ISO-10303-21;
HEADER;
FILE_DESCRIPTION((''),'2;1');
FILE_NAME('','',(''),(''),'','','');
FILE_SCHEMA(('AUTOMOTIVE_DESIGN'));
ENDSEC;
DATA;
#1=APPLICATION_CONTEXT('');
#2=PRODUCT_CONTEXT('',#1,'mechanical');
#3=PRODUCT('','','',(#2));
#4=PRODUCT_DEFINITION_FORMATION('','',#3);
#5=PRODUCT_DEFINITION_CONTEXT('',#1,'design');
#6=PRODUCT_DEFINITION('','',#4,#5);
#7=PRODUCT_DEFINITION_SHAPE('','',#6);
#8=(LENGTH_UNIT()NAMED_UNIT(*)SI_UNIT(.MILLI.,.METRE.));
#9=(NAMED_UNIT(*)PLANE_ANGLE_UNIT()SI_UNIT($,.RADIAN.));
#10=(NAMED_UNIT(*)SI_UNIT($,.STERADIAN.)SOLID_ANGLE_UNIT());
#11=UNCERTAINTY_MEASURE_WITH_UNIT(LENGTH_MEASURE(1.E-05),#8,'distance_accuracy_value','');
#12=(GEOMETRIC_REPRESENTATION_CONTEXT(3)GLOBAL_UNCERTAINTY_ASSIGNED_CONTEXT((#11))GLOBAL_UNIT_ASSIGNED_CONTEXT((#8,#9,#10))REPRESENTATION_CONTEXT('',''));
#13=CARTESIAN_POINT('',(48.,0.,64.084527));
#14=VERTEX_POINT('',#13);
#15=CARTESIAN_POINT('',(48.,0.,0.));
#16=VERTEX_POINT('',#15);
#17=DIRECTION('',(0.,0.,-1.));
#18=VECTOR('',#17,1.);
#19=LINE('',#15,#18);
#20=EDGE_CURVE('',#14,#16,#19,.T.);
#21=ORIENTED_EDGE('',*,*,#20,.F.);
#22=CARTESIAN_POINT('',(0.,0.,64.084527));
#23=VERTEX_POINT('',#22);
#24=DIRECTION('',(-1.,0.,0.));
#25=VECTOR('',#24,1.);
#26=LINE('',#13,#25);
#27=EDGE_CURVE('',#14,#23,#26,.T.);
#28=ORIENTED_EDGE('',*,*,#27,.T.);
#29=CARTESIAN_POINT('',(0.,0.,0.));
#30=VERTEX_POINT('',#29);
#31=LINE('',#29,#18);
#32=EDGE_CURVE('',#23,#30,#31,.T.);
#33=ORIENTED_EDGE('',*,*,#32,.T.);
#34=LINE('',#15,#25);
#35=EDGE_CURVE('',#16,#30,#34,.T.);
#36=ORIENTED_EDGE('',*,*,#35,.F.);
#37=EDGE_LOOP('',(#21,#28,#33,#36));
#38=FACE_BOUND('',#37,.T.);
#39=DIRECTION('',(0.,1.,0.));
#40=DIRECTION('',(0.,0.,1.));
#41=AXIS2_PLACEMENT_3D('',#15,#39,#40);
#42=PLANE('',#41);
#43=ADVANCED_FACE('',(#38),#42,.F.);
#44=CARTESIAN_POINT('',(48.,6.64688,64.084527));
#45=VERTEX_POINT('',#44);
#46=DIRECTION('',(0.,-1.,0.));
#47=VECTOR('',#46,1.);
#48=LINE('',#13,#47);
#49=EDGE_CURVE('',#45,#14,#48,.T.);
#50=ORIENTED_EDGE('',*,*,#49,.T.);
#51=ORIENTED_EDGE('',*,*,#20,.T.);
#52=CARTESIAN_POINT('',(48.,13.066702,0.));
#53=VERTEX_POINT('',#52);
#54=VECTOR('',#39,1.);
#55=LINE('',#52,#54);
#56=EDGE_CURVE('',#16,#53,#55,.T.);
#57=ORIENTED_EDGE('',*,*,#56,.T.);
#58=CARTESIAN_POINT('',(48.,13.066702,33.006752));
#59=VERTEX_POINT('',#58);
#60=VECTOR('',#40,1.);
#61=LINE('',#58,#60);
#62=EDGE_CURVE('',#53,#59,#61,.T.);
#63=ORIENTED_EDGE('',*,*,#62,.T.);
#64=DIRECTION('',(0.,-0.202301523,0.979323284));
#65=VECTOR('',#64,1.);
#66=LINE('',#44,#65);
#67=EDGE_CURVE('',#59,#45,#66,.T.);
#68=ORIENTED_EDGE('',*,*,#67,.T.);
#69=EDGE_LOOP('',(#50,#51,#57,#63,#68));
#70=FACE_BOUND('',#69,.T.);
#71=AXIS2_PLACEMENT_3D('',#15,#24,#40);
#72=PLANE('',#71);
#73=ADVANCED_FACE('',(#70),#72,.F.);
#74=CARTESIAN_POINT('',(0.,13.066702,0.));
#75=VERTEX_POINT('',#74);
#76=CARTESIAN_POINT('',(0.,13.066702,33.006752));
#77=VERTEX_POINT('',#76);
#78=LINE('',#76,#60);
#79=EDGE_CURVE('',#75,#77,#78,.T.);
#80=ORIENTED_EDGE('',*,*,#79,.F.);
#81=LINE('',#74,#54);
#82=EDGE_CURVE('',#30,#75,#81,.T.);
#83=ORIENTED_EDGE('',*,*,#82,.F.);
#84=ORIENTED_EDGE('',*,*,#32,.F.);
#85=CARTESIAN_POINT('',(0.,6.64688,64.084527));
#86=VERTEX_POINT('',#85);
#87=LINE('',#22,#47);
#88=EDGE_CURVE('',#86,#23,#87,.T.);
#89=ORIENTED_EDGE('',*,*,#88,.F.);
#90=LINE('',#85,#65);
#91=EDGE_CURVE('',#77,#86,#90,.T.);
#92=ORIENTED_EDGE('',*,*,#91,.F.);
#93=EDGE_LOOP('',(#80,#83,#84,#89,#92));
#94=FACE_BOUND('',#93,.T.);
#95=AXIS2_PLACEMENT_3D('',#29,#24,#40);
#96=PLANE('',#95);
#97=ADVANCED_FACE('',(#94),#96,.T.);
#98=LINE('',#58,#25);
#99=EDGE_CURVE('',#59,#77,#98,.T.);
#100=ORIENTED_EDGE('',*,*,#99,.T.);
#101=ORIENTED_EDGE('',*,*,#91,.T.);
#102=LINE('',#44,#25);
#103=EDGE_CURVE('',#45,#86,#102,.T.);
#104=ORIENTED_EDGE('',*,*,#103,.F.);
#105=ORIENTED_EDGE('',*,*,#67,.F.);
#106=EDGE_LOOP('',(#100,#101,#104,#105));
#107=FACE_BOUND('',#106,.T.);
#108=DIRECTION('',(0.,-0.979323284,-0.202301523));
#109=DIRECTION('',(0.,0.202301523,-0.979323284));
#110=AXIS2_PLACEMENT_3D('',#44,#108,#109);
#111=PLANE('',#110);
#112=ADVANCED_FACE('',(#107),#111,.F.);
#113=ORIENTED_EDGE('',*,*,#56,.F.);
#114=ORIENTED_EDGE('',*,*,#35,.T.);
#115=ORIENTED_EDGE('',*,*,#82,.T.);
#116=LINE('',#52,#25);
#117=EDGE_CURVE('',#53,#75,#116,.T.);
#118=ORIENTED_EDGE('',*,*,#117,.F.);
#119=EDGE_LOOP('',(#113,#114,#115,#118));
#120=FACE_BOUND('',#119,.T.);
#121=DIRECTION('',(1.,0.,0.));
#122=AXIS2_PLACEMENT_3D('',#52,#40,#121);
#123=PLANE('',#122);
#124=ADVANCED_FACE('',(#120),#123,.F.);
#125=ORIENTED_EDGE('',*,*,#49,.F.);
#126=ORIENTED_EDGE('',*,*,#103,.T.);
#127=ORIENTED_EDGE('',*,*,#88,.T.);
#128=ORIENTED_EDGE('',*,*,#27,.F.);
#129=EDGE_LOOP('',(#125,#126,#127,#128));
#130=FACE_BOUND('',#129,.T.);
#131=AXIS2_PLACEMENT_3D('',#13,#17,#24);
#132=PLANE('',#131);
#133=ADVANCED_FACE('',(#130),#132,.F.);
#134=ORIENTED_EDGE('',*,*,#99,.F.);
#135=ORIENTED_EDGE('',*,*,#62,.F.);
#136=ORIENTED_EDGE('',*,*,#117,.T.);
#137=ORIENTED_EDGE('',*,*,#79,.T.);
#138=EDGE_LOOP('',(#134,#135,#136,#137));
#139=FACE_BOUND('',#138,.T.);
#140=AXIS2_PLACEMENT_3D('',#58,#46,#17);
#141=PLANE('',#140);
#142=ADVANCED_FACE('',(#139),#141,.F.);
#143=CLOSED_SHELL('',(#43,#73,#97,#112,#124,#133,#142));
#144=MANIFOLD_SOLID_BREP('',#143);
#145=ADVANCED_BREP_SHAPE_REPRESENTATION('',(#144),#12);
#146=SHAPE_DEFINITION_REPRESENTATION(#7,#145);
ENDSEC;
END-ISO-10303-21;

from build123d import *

# Parameters (mm, degrees)
BOSS_EXTRUDE1_DEPTH = 48


with BuildPart() as part:
    # Sketch1 → Boss-Extrude1 (new body)
    with BuildSketch(Plane(origin=(0, 0, 0), x_dir=(0, 0, -1), z_dir=(1, 0, 0))):
        Polygon((0, 0), (-64.084526643, 0), (-64.084526643, 6.646879678), (-33.006752416, 13.066701584), (0, 13.066701584), align=None)
    extrude(amount=BOSS_EXTRUDE1_DEPTH)


solid = part.part
